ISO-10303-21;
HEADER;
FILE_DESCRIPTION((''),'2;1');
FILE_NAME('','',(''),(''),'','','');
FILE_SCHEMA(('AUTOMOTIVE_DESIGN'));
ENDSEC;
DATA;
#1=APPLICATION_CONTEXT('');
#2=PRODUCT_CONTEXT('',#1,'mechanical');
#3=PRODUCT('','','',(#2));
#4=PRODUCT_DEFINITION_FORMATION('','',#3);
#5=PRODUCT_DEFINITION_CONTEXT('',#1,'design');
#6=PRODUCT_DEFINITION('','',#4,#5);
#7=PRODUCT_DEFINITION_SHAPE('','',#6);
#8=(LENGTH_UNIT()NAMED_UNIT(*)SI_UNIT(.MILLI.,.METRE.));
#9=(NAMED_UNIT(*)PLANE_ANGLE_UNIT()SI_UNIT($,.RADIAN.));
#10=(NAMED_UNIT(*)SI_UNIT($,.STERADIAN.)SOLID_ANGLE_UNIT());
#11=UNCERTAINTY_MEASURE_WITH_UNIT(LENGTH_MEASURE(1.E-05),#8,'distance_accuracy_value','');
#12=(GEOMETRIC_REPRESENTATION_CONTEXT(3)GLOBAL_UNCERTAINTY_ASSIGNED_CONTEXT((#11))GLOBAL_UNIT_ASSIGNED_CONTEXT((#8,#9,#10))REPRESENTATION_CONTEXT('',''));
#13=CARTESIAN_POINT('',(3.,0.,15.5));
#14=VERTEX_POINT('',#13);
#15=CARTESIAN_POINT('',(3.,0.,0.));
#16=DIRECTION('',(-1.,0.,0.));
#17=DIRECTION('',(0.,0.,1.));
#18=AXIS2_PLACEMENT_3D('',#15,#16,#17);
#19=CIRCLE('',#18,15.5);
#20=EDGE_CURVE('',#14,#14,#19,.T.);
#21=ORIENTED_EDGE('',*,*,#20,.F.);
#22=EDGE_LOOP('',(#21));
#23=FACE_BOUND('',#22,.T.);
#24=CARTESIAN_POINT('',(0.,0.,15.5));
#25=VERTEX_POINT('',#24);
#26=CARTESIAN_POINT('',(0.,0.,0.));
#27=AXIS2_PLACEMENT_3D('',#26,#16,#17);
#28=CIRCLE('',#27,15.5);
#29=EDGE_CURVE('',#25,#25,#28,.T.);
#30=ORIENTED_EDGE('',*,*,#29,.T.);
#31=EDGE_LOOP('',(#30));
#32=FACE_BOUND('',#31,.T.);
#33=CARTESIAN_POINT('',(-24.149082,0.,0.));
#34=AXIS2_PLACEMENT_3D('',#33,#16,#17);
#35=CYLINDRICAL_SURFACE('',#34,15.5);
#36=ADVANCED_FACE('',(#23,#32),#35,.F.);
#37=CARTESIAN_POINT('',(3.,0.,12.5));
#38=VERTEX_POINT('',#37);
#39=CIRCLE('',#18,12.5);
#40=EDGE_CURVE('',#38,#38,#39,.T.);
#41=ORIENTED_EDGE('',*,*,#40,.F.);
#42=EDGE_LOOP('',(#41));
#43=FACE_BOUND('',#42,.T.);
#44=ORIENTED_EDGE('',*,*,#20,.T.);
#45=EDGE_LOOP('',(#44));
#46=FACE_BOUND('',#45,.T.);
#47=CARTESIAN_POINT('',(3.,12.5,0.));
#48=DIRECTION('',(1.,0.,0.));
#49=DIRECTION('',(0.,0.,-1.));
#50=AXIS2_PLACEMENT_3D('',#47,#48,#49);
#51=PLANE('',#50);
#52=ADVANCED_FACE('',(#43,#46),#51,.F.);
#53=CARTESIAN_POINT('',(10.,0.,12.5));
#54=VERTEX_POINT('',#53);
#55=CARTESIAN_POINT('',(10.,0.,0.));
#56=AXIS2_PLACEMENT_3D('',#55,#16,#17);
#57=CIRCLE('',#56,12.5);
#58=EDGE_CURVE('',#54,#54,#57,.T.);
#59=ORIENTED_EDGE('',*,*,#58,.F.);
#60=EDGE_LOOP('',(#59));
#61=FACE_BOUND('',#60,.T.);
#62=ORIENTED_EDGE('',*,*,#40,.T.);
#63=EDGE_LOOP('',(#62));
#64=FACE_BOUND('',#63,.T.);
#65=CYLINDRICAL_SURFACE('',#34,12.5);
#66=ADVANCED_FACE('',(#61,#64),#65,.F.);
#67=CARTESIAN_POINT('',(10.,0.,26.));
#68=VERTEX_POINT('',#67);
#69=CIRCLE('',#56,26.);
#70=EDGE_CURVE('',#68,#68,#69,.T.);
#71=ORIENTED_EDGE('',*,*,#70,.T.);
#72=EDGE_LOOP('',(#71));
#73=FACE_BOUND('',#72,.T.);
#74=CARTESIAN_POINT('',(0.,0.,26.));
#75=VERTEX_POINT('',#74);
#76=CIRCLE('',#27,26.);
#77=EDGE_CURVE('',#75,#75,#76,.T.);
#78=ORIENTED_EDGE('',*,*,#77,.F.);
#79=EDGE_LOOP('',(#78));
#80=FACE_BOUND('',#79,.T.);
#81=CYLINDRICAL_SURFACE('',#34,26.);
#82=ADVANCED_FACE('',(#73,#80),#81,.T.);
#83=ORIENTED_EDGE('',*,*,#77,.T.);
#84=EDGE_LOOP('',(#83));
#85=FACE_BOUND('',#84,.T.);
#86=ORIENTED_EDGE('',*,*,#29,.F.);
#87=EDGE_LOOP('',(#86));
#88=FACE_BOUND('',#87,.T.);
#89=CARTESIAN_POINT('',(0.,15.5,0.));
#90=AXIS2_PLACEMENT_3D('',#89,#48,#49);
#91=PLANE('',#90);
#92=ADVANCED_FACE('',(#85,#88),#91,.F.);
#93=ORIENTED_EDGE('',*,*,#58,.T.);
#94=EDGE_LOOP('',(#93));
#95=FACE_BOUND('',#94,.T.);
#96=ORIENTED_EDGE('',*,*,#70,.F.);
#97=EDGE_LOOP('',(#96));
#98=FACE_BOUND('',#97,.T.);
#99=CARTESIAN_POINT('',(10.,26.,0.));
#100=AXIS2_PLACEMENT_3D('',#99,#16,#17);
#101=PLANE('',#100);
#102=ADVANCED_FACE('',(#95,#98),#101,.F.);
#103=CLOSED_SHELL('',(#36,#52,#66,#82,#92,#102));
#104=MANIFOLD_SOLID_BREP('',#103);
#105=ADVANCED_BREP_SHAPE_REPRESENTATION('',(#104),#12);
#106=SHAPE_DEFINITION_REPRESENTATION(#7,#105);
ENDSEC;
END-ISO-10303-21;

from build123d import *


with BuildPart() as part:
    # Esquisse1 → Révolution1 (revolve)
    with BuildSketch(Plane.XY, mode=Mode.PRIVATE) as r_volution1_sk:
        Polygon((0, 15.5), (0, 26), (10, 26), (10, 12.5), (3, 12.5), (3, 15.5), align=None)
    revolve(r_volution1_sk.sketch.rotate(Axis((-24.149081803, 0, 0), (1, 0, 0)), 90), axis=Axis((-24.149081803, 0, 0), (1, 0, 0)))


solid = part.part
